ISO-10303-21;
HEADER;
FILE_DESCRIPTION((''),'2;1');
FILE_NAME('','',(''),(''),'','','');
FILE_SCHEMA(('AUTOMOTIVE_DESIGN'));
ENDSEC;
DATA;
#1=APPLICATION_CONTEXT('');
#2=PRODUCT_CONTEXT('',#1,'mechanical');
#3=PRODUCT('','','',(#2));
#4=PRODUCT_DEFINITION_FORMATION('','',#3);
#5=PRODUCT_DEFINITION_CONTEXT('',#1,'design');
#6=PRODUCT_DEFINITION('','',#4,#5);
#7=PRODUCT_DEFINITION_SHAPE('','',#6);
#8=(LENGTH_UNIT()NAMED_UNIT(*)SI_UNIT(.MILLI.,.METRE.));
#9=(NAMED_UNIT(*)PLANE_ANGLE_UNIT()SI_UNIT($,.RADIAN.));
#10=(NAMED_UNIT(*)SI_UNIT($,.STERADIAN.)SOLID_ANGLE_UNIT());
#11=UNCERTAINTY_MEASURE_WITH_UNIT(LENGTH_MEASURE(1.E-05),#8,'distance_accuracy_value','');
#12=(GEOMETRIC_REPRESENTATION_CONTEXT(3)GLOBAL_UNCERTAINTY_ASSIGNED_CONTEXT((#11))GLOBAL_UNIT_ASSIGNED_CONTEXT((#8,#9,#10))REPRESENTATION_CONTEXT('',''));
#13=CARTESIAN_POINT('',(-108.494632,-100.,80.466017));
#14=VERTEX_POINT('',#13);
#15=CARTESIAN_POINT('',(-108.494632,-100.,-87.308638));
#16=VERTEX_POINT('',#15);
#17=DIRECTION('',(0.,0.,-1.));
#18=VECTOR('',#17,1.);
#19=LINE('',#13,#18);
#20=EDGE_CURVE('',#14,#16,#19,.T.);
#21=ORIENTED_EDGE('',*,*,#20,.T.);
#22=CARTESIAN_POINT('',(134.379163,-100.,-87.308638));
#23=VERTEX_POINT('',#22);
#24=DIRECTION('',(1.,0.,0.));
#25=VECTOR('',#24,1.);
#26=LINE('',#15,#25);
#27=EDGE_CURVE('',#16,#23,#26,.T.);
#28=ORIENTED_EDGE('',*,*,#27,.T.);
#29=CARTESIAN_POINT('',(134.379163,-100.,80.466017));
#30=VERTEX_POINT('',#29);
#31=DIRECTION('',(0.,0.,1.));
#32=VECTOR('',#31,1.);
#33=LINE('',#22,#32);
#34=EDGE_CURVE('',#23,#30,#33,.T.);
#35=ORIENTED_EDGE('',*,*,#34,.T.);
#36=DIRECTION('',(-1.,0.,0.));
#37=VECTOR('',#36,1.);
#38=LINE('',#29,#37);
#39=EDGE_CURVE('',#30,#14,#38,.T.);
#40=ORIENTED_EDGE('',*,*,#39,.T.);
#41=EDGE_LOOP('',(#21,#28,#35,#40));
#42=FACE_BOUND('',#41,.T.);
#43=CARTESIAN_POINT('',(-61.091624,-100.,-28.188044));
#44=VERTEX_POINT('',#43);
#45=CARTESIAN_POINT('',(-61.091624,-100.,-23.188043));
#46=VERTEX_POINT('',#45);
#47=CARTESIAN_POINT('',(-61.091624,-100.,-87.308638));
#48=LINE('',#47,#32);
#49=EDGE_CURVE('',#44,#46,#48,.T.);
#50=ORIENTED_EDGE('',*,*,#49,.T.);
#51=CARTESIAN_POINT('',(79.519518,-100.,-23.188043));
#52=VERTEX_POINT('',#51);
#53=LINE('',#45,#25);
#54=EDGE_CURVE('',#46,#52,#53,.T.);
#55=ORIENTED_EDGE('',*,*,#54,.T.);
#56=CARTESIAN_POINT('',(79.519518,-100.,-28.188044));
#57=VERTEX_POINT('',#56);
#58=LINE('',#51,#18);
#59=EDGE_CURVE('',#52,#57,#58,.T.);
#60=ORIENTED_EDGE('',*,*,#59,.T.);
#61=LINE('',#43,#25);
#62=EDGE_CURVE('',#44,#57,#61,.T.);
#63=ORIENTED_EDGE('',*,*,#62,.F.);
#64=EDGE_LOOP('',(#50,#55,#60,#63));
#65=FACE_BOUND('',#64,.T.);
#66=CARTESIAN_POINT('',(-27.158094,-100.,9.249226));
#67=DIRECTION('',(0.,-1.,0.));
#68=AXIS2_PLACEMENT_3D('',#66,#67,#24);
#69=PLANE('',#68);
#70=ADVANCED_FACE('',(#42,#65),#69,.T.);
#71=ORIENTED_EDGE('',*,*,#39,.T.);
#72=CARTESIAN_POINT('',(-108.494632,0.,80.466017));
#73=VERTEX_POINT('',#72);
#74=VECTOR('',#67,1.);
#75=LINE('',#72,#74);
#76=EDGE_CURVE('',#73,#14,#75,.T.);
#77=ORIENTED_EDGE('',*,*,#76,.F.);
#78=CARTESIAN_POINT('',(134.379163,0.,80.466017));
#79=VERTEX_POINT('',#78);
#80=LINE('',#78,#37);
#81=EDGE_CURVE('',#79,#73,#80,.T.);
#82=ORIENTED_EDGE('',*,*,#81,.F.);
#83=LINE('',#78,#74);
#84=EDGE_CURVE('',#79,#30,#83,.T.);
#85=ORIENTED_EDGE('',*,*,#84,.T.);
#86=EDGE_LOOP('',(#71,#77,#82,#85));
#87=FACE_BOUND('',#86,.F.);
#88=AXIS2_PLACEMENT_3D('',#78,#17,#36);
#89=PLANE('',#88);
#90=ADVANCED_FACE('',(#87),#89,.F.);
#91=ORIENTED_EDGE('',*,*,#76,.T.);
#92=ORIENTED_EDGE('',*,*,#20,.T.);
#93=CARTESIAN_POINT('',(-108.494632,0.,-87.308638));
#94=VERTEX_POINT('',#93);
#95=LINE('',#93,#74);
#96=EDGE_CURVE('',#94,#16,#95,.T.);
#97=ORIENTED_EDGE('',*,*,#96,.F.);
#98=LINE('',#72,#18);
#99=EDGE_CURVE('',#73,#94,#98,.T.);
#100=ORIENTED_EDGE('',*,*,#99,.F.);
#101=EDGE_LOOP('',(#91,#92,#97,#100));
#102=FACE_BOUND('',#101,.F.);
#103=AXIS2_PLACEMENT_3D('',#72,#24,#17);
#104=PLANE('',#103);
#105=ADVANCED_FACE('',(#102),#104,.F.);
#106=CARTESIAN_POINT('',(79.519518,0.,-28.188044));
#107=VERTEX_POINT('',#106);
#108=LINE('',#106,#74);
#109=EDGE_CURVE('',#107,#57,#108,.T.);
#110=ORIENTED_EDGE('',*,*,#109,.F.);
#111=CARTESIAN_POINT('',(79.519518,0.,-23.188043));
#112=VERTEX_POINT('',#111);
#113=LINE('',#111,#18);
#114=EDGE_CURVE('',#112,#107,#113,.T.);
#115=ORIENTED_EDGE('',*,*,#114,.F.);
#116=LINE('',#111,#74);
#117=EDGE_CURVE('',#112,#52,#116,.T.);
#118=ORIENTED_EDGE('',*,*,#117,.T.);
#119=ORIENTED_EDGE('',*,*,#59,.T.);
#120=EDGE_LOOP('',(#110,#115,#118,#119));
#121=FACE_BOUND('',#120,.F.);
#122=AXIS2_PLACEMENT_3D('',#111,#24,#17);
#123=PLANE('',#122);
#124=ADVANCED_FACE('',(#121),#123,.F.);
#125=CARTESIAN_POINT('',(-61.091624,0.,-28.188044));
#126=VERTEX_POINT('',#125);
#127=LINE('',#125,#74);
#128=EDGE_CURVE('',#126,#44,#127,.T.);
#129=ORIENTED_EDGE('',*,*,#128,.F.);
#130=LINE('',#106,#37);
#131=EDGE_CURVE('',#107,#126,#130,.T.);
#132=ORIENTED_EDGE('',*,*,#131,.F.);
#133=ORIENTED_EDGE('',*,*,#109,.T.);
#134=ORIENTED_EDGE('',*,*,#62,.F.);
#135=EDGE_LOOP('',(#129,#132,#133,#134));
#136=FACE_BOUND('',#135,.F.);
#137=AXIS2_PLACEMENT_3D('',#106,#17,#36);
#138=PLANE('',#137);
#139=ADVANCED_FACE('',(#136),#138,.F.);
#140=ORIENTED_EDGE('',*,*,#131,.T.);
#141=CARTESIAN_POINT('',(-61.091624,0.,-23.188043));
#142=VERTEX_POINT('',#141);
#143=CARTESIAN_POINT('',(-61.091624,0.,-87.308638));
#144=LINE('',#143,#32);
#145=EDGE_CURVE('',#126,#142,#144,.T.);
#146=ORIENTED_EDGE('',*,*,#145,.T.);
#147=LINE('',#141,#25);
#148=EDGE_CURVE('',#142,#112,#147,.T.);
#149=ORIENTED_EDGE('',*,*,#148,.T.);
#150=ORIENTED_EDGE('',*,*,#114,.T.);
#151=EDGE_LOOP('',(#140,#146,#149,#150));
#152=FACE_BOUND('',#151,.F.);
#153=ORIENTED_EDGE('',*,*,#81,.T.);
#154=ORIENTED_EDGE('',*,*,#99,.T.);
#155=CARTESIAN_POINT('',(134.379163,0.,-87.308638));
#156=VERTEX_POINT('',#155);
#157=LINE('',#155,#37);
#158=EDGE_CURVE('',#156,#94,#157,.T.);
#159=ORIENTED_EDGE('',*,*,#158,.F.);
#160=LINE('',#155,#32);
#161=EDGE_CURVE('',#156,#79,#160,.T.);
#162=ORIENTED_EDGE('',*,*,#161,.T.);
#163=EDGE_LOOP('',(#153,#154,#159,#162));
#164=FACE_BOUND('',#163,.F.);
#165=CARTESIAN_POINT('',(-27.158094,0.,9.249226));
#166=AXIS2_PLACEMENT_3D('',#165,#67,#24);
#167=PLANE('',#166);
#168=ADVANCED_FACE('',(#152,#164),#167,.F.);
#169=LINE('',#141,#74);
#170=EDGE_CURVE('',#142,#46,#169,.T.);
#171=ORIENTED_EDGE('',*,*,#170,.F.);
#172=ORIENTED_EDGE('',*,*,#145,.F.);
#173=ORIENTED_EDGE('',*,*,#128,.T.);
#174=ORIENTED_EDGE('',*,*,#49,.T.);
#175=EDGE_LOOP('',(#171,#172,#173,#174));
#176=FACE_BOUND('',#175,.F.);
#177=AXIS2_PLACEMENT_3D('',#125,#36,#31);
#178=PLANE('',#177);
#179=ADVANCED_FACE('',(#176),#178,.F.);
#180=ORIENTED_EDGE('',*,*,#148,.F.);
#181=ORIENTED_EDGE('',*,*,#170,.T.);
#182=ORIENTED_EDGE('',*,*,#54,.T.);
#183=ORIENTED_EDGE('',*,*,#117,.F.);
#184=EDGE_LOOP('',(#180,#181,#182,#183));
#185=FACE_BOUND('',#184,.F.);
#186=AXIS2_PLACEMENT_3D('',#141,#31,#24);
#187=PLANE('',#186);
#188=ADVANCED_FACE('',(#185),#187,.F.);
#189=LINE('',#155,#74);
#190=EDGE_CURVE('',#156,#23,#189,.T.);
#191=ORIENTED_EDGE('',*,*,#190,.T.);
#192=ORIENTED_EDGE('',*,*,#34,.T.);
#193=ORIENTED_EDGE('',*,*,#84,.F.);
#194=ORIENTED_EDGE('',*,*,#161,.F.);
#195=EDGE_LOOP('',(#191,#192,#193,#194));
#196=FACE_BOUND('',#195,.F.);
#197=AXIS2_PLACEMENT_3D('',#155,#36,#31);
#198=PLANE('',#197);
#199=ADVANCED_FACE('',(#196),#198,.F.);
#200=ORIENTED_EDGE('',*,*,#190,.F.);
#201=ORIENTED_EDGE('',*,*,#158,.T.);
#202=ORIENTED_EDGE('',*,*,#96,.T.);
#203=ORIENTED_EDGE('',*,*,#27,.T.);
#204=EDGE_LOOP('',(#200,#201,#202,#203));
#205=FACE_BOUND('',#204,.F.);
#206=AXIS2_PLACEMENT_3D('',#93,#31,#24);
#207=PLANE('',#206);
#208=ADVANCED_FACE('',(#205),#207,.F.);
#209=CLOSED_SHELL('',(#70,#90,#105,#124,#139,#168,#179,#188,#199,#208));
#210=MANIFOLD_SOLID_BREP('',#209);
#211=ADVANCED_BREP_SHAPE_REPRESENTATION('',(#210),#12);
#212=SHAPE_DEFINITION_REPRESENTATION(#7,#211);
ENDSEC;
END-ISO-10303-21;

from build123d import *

# Parameters (mm, degrees)
F0_W     = 54.8596456647
F0_H     = 80.466017127
F0_W_2   = 5
F0_H_2   = 59.1205935925
F0_W_3   = 90.1321785152
F1_DEPTH = 100
F2_DEPTH = 90


with BuildPart() as f1:
    # F0 (on Front) → F1 (new body)
    with BuildSketch(Plane.XZ):
        Polygon((-9.4276834279, 80.466017127), (-108.4946319461, 80.466017127), (-108.4946319461, -87.3086377978), (-61.0916242003, -87.3086377978), (-61.0916242003, -28.1880442053), (-61.0916242003, -23.1880433857), (-56.0916242003, -23.1880433857), (79.5195177197, -23.1880433857), (79.5195177197, 0), (79.5195177197, 80.466017127), align=None)
        with Locations((106.9493405521, 40.2330085635)):
            Rectangle(F0_W, F0_H)
        with Locations((-58.5916242003, -57.7483410016)):
            Rectangle(F0_W_2, F0_H_2)
        Polygon((134.3791633844, 0), (79.5195177197, 0), (79.5195177197, -23.1880433857), (79.5195177197, -28.1880442053), (39.0405543149, -28.1880442053), (39.0405543149, -87.3086377978), (134.3791633844, -87.3086377978), align=None)
        with Locations((-11.0255349427, -57.7483410016)):
            Rectangle(F0_W_3, F0_H_2)
        with Locations((36.5405543149, -57.7483410016)):
            Rectangle(F0_W_2, F0_H_2)
    extrude(amount=F1_DEPTH)

    # F0 (on Front) → F2 (cut)
    with BuildSketch(Plane.XZ):
        with Locations((-11.0255349427, -57.7483410016)):
            Rectangle(F0_W_3, F0_H_2)
    extrude(amount=-F2_DEPTH, mode=Mode.SUBTRACT)


solid = f1.part
